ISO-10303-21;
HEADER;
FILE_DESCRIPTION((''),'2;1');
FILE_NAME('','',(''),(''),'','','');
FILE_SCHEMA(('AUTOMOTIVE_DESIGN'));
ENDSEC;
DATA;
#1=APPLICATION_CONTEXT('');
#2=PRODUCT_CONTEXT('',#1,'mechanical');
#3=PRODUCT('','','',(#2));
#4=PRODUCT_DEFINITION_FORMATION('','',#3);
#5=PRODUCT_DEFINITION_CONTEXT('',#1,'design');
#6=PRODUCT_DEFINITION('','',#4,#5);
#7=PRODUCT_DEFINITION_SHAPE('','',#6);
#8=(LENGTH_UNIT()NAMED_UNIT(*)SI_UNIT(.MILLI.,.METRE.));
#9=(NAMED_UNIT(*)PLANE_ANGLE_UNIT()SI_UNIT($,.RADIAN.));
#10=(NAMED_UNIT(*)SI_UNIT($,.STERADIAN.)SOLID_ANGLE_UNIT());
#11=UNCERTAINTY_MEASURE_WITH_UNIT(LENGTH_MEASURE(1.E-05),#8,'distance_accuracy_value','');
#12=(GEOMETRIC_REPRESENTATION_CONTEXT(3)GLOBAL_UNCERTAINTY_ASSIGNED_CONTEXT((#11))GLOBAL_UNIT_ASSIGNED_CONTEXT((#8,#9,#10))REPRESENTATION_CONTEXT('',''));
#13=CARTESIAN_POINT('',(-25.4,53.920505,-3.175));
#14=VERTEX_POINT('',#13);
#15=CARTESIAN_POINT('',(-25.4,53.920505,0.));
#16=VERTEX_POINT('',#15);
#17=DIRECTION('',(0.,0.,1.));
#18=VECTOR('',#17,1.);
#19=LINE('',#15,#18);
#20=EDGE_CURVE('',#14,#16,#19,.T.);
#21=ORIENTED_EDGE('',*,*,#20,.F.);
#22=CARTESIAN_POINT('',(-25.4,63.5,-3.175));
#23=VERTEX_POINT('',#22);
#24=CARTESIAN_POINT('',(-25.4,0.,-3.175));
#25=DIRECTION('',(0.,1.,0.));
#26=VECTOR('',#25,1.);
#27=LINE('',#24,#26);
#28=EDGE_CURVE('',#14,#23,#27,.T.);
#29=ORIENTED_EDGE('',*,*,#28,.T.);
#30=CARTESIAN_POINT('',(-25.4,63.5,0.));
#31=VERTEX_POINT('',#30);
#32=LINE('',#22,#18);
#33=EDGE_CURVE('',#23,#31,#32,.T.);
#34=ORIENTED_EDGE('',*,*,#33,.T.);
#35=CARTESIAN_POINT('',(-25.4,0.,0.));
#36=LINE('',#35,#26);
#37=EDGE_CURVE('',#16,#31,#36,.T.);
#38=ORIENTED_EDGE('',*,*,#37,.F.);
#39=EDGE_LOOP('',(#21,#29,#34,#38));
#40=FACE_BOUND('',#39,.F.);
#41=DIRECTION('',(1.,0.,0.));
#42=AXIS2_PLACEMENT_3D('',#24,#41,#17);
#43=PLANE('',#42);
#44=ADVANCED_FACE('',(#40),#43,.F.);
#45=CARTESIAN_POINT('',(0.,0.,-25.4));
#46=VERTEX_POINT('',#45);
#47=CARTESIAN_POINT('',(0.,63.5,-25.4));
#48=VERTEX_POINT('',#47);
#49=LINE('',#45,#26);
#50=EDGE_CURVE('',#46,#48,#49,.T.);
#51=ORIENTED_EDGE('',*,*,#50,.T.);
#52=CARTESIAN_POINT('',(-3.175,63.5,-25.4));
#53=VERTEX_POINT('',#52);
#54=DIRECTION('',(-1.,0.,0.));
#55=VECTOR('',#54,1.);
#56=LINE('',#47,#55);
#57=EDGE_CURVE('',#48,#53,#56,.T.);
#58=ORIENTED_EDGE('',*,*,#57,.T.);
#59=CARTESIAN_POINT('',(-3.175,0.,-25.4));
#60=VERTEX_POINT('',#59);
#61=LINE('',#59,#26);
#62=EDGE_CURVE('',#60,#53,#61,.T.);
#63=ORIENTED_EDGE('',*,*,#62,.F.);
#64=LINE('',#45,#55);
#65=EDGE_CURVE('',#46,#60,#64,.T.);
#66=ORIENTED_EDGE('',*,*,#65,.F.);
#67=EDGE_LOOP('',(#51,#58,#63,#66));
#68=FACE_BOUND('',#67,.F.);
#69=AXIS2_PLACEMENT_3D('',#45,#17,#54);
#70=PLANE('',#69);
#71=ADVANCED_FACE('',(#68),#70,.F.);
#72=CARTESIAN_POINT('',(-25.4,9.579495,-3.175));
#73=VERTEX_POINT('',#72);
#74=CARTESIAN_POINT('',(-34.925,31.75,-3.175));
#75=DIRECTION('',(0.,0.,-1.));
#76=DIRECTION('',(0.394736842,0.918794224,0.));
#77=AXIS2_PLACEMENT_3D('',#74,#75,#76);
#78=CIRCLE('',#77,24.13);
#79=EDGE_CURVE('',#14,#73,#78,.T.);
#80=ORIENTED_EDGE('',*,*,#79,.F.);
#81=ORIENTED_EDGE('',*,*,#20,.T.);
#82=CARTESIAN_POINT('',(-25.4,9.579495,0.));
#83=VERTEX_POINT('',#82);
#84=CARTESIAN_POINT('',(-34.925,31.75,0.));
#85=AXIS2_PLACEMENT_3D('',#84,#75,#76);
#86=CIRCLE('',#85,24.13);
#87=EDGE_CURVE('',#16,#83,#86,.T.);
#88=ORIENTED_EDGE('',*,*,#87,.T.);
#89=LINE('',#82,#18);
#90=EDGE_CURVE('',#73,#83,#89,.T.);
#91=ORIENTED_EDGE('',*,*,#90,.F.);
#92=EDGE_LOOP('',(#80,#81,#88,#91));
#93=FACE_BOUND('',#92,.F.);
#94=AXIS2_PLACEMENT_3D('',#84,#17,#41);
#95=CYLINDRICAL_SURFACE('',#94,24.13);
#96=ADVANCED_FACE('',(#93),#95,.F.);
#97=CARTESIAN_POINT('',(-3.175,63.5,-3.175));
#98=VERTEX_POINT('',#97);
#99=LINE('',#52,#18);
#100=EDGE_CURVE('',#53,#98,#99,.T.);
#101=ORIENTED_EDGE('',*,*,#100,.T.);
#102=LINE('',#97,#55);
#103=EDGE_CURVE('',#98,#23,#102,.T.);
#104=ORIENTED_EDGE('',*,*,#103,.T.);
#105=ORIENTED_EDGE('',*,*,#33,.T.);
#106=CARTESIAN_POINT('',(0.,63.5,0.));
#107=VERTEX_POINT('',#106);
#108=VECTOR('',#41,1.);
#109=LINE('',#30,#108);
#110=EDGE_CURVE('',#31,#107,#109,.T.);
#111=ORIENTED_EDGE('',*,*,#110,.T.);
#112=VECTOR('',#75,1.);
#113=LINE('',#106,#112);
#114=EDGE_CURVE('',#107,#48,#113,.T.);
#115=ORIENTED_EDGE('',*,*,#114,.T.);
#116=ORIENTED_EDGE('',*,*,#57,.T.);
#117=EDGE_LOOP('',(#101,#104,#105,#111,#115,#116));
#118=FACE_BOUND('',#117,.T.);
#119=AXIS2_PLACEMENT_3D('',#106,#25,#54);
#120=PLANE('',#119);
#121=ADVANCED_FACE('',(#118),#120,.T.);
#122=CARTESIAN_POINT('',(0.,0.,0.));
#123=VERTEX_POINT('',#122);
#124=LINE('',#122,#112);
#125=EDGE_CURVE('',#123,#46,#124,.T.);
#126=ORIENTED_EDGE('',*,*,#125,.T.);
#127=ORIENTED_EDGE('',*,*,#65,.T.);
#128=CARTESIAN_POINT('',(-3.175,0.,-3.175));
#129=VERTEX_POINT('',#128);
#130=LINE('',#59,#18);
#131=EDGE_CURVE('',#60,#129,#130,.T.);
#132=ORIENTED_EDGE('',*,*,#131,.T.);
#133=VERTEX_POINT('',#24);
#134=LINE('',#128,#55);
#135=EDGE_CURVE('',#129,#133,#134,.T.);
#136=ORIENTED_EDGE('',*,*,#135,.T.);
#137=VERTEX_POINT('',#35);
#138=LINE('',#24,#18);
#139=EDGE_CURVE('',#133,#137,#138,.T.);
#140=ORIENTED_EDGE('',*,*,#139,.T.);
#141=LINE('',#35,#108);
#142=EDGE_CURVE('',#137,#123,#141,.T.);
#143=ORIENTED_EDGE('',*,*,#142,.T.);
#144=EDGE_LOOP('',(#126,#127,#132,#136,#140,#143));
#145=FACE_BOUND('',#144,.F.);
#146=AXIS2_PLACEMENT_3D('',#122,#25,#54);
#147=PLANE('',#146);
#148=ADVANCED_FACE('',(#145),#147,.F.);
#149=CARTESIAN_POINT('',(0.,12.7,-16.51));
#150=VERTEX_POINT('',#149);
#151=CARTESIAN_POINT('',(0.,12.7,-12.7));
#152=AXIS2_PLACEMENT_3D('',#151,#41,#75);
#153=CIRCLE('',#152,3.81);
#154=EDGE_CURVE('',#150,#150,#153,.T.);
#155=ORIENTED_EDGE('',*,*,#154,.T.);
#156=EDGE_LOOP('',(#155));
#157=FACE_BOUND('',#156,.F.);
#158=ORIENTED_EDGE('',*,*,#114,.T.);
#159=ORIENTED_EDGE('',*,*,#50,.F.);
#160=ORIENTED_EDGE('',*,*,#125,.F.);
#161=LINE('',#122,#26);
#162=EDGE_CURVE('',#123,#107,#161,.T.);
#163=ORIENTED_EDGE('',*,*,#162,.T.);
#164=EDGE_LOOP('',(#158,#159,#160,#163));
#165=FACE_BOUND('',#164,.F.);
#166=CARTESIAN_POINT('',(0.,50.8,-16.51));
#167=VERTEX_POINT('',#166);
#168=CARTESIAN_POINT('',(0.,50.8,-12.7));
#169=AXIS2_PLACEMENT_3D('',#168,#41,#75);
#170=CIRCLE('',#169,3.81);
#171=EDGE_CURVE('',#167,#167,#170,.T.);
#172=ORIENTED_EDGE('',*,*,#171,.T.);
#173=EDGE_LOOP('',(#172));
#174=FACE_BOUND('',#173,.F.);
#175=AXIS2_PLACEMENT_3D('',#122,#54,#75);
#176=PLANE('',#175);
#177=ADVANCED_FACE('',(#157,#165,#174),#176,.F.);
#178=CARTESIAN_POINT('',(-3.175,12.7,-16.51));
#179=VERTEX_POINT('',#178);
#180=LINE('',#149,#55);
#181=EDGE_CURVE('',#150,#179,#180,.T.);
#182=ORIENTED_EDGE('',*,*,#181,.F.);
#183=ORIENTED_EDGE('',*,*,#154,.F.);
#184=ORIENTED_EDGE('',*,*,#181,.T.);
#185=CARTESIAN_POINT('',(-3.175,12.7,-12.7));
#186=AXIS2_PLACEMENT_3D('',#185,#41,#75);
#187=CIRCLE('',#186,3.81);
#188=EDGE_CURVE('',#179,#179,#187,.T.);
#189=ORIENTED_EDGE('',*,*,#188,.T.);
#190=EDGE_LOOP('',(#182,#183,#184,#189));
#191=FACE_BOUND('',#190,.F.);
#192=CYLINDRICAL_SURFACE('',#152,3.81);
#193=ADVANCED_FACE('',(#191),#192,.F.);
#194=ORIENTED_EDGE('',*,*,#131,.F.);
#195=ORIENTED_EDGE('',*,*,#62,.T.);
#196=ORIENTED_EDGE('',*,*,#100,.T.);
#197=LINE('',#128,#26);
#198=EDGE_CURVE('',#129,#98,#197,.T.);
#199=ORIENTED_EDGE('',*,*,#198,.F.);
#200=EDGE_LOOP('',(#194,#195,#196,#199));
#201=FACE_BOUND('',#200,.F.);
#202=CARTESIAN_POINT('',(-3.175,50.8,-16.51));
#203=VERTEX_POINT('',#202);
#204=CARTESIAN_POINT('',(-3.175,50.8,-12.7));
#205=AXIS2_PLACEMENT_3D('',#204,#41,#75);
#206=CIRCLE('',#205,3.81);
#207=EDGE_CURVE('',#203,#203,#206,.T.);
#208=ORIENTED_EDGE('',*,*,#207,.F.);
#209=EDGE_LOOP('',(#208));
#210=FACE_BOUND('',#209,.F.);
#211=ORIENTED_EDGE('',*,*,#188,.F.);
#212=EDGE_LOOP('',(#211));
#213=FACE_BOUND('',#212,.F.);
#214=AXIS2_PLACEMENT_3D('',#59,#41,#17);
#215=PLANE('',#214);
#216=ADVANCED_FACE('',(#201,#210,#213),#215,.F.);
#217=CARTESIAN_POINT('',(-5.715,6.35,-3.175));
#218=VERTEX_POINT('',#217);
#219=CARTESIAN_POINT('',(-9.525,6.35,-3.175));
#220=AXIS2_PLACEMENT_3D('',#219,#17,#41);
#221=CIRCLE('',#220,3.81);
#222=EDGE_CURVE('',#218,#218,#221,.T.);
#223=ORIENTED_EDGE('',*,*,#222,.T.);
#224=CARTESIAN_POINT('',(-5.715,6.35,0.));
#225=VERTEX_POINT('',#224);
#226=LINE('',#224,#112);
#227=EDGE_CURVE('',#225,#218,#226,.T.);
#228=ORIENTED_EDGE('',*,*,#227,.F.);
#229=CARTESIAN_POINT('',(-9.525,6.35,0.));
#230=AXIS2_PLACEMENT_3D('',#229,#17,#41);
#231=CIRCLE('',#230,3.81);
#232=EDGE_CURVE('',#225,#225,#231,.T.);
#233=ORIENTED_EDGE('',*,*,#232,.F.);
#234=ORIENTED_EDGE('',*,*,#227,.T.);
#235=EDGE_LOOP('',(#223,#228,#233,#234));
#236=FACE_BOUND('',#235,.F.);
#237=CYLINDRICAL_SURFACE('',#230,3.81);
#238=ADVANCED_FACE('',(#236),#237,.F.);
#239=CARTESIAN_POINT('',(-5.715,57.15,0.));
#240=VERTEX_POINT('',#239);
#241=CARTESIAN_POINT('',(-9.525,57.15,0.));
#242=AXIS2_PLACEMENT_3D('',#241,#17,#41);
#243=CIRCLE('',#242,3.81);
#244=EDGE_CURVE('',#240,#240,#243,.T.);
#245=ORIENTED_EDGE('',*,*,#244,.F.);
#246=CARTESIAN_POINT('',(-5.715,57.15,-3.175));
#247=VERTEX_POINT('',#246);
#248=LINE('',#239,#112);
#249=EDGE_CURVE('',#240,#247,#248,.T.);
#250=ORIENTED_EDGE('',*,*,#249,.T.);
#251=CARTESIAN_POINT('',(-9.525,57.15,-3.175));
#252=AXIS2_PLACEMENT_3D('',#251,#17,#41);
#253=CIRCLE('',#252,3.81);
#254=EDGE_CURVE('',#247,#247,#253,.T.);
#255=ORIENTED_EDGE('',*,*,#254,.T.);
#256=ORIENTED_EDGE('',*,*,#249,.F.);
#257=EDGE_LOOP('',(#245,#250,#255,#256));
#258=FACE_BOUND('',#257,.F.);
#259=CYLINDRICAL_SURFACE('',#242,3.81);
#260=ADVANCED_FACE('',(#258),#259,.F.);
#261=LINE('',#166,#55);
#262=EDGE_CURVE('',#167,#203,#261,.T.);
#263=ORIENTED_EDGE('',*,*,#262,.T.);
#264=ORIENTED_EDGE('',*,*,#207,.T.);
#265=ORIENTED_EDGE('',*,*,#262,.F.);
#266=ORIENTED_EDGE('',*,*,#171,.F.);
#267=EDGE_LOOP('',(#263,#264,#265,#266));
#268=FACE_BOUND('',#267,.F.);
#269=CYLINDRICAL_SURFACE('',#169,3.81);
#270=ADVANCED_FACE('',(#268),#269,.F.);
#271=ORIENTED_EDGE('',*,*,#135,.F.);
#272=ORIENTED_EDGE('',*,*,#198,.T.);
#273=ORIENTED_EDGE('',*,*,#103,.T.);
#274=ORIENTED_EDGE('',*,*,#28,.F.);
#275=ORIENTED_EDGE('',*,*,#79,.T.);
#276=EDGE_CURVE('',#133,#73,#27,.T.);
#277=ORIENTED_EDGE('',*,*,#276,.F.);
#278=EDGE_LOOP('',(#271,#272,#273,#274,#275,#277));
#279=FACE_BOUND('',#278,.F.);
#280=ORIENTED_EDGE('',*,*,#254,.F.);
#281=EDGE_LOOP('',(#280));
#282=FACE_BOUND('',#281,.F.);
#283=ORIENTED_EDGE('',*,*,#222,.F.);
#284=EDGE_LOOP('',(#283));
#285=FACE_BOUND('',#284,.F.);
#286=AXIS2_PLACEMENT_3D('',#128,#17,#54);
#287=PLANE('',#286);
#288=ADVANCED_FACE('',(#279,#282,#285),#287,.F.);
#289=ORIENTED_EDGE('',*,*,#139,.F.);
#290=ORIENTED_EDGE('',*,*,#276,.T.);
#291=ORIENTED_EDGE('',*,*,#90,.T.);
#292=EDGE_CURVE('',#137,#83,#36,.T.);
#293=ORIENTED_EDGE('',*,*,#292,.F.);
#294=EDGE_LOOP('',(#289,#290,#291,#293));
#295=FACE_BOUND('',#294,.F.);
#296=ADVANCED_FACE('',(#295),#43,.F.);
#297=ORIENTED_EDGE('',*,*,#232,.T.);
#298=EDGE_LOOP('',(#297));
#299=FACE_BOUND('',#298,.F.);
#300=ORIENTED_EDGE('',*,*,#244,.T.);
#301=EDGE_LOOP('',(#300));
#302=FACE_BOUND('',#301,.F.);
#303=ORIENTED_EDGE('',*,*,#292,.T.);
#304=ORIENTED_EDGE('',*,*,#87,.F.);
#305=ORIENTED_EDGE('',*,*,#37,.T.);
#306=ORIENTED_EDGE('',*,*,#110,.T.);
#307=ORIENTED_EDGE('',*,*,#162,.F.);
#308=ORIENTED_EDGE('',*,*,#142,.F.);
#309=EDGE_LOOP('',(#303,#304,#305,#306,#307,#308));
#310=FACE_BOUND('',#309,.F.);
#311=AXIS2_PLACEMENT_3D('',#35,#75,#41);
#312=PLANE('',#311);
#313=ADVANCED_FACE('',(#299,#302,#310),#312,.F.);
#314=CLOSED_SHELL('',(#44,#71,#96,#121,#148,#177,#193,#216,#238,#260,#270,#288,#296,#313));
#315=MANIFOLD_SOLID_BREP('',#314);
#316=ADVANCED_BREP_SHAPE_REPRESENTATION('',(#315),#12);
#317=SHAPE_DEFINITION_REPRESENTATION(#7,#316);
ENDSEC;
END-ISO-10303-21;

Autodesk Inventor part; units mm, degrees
ref_plane "YZ Plane" through (0, 0, 0) normal (1, 0, 0) x (0, 1, 0)
ref_plane "XZ Plane" through (0, 0, 0) normal (0, 1, 0) x (-1, 0, 0)
ref_plane "XY Plane" through (0, 0, 0) normal (0, 0, 1) x (1, 0, 0)
sketch "Sketch1" plane through (0, 0, 0) normal (0, 1, 0) x (-1, 0, 0)
  line L0 (0, 0) -> (0, -25.4)
  line L1 (0, -25.4) -> (3.175, -25.4)
  line L2 (3.175, -25.4) -> (3.175, -3.175)
  line L3 (3.175, -3.175) -> (25.4, -3.175)
  line L4 (25.4, -3.175) -> (25.4, 0)
  line L5 (25.4, 0) -> (0, 0)
  dimension "d0" = 25.4
  dimension "d1" = 3.175
  dimension "d2" = 22.225
  dimension "d3" = 22.225
extrude "Extrusion1" add sketch "Sketch1" along normal blind 63.5
sketch "Sketch2" plane through (-25.4, 0, 0) normal (0, 0, 1) x (1, 0, 0)
  line L0 (22.225, 0) -> (22.225, 63.5) projected
  line L1 (22.225, 0) -> (15.875, 0)
  line L2 (22.225, 0) -> (0, 0) projected
  line L3 (22.225, 63.5) -> (0, 63.5) projected
  circle A0 centre (15.875, 57.15) radius 3.81
  circle A1 centre (15.875, 6.35) radius 3.81
  circle A2 centre (-9.525, 31.75) radius 24.13
  line L4 (22.225, 31.75) -> (-9.525, 31.75)
  point P0 (25.4, 0)
  dimension "d6" = 6.35
  dimension "d9" = 7.62
  dimension "d10" = 7.62
  dimension "d12" = 31.75
extrude "Extrusion2" cut sketch "Sketch2" against normal blind 63.5
sketch "Sketch3" plane through (0, 0, 0) normal (1, 0, 0) x (0, 0, -1)
  line L0 (25.4, 0) -> (25.4, 63.5) projected
  circle A0 centre (12.7, 12.7) radius 3.81
  line L1 (0, 9.5795) -> (0, 53.9205) projected
  circle A1 centre (12.7, 50.8) radius 3.81
  point P0 (0, 0)
extrude "Extrusion3" cut sketch "Sketch3" against normal blind 63.5
properties part number "Bracket"
